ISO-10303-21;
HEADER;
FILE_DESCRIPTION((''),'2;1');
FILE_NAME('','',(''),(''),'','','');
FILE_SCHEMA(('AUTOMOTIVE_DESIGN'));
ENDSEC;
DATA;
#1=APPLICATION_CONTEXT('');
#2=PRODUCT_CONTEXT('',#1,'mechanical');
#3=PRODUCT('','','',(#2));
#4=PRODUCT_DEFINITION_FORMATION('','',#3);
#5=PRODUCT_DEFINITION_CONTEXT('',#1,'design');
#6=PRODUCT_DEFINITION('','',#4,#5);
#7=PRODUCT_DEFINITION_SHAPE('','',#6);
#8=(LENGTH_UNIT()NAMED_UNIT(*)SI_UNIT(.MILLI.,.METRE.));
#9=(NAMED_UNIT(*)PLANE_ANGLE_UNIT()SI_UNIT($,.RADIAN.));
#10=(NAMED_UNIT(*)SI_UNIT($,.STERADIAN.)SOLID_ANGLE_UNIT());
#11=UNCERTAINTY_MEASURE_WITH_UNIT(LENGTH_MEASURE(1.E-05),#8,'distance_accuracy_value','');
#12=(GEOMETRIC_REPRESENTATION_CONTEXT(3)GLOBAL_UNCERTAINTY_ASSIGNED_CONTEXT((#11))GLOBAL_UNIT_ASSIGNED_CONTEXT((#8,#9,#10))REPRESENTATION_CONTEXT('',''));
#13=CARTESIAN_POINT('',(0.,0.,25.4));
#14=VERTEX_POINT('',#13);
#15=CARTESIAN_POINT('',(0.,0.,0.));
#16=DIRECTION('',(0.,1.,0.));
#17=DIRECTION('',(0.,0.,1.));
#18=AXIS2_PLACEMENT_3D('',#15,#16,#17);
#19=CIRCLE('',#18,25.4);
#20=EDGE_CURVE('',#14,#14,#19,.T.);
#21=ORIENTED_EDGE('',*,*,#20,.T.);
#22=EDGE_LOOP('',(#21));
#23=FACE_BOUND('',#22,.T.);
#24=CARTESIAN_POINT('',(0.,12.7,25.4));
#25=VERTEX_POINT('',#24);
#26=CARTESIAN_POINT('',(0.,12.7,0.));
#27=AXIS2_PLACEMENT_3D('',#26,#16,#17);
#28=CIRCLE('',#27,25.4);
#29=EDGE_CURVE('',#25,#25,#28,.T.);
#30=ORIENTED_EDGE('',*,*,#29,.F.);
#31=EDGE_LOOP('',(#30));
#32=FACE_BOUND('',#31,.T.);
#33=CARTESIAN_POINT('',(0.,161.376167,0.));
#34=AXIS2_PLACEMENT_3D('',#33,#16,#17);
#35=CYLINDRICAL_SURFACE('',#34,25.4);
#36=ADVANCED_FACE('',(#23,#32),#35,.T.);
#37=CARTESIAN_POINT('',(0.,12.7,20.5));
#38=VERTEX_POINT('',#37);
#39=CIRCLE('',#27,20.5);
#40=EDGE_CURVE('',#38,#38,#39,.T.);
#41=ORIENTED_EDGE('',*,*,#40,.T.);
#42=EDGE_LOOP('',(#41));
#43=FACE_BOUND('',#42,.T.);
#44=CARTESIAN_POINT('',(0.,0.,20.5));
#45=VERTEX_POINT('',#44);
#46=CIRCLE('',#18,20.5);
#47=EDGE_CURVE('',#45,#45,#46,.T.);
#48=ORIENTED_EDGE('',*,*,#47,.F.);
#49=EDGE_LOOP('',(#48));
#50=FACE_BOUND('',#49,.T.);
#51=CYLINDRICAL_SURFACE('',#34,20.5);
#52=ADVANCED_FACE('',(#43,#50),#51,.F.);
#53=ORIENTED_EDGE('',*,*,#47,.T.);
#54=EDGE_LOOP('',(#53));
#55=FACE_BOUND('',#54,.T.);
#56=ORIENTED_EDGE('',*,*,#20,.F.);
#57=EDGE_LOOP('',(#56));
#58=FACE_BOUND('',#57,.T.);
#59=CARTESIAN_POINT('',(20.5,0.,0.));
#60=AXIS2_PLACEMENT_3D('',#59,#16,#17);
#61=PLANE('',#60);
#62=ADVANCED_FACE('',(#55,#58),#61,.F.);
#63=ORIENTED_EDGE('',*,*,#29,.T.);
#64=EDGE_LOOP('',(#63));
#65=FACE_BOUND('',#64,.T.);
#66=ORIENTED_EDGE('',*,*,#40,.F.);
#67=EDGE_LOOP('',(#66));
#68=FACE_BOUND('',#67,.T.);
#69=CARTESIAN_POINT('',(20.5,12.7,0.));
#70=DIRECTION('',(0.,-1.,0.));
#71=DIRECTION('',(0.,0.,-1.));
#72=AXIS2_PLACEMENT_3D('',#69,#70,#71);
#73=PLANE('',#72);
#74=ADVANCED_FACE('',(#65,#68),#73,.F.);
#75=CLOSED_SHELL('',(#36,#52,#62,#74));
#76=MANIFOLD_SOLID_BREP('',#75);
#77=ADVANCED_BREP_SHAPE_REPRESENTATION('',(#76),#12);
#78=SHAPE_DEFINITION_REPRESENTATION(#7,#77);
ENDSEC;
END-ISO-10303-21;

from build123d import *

# Parameters (mm, degrees)
SKETCH_1_W = 4.9
SKETCH_1_H = 12.7


with BuildPart() as part:
    # 草图1 → 旋转1 (revolve)
    with BuildSketch(Plane.XY, mode=Mode.PRIVATE) as revolve_1_sk:
        with Locations((22.95, 6.35)):
            Rectangle(SKETCH_1_W, SKETCH_1_H)
    revolve(revolve_1_sk.sketch.rotate(Axis((0, 161.376166943, 0), (0, -1, 0)), 90), axis=Axis((0, 161.376166943, 0), (0, -1, 0)))  # turned: the seam where the file's is


solid = part.part
